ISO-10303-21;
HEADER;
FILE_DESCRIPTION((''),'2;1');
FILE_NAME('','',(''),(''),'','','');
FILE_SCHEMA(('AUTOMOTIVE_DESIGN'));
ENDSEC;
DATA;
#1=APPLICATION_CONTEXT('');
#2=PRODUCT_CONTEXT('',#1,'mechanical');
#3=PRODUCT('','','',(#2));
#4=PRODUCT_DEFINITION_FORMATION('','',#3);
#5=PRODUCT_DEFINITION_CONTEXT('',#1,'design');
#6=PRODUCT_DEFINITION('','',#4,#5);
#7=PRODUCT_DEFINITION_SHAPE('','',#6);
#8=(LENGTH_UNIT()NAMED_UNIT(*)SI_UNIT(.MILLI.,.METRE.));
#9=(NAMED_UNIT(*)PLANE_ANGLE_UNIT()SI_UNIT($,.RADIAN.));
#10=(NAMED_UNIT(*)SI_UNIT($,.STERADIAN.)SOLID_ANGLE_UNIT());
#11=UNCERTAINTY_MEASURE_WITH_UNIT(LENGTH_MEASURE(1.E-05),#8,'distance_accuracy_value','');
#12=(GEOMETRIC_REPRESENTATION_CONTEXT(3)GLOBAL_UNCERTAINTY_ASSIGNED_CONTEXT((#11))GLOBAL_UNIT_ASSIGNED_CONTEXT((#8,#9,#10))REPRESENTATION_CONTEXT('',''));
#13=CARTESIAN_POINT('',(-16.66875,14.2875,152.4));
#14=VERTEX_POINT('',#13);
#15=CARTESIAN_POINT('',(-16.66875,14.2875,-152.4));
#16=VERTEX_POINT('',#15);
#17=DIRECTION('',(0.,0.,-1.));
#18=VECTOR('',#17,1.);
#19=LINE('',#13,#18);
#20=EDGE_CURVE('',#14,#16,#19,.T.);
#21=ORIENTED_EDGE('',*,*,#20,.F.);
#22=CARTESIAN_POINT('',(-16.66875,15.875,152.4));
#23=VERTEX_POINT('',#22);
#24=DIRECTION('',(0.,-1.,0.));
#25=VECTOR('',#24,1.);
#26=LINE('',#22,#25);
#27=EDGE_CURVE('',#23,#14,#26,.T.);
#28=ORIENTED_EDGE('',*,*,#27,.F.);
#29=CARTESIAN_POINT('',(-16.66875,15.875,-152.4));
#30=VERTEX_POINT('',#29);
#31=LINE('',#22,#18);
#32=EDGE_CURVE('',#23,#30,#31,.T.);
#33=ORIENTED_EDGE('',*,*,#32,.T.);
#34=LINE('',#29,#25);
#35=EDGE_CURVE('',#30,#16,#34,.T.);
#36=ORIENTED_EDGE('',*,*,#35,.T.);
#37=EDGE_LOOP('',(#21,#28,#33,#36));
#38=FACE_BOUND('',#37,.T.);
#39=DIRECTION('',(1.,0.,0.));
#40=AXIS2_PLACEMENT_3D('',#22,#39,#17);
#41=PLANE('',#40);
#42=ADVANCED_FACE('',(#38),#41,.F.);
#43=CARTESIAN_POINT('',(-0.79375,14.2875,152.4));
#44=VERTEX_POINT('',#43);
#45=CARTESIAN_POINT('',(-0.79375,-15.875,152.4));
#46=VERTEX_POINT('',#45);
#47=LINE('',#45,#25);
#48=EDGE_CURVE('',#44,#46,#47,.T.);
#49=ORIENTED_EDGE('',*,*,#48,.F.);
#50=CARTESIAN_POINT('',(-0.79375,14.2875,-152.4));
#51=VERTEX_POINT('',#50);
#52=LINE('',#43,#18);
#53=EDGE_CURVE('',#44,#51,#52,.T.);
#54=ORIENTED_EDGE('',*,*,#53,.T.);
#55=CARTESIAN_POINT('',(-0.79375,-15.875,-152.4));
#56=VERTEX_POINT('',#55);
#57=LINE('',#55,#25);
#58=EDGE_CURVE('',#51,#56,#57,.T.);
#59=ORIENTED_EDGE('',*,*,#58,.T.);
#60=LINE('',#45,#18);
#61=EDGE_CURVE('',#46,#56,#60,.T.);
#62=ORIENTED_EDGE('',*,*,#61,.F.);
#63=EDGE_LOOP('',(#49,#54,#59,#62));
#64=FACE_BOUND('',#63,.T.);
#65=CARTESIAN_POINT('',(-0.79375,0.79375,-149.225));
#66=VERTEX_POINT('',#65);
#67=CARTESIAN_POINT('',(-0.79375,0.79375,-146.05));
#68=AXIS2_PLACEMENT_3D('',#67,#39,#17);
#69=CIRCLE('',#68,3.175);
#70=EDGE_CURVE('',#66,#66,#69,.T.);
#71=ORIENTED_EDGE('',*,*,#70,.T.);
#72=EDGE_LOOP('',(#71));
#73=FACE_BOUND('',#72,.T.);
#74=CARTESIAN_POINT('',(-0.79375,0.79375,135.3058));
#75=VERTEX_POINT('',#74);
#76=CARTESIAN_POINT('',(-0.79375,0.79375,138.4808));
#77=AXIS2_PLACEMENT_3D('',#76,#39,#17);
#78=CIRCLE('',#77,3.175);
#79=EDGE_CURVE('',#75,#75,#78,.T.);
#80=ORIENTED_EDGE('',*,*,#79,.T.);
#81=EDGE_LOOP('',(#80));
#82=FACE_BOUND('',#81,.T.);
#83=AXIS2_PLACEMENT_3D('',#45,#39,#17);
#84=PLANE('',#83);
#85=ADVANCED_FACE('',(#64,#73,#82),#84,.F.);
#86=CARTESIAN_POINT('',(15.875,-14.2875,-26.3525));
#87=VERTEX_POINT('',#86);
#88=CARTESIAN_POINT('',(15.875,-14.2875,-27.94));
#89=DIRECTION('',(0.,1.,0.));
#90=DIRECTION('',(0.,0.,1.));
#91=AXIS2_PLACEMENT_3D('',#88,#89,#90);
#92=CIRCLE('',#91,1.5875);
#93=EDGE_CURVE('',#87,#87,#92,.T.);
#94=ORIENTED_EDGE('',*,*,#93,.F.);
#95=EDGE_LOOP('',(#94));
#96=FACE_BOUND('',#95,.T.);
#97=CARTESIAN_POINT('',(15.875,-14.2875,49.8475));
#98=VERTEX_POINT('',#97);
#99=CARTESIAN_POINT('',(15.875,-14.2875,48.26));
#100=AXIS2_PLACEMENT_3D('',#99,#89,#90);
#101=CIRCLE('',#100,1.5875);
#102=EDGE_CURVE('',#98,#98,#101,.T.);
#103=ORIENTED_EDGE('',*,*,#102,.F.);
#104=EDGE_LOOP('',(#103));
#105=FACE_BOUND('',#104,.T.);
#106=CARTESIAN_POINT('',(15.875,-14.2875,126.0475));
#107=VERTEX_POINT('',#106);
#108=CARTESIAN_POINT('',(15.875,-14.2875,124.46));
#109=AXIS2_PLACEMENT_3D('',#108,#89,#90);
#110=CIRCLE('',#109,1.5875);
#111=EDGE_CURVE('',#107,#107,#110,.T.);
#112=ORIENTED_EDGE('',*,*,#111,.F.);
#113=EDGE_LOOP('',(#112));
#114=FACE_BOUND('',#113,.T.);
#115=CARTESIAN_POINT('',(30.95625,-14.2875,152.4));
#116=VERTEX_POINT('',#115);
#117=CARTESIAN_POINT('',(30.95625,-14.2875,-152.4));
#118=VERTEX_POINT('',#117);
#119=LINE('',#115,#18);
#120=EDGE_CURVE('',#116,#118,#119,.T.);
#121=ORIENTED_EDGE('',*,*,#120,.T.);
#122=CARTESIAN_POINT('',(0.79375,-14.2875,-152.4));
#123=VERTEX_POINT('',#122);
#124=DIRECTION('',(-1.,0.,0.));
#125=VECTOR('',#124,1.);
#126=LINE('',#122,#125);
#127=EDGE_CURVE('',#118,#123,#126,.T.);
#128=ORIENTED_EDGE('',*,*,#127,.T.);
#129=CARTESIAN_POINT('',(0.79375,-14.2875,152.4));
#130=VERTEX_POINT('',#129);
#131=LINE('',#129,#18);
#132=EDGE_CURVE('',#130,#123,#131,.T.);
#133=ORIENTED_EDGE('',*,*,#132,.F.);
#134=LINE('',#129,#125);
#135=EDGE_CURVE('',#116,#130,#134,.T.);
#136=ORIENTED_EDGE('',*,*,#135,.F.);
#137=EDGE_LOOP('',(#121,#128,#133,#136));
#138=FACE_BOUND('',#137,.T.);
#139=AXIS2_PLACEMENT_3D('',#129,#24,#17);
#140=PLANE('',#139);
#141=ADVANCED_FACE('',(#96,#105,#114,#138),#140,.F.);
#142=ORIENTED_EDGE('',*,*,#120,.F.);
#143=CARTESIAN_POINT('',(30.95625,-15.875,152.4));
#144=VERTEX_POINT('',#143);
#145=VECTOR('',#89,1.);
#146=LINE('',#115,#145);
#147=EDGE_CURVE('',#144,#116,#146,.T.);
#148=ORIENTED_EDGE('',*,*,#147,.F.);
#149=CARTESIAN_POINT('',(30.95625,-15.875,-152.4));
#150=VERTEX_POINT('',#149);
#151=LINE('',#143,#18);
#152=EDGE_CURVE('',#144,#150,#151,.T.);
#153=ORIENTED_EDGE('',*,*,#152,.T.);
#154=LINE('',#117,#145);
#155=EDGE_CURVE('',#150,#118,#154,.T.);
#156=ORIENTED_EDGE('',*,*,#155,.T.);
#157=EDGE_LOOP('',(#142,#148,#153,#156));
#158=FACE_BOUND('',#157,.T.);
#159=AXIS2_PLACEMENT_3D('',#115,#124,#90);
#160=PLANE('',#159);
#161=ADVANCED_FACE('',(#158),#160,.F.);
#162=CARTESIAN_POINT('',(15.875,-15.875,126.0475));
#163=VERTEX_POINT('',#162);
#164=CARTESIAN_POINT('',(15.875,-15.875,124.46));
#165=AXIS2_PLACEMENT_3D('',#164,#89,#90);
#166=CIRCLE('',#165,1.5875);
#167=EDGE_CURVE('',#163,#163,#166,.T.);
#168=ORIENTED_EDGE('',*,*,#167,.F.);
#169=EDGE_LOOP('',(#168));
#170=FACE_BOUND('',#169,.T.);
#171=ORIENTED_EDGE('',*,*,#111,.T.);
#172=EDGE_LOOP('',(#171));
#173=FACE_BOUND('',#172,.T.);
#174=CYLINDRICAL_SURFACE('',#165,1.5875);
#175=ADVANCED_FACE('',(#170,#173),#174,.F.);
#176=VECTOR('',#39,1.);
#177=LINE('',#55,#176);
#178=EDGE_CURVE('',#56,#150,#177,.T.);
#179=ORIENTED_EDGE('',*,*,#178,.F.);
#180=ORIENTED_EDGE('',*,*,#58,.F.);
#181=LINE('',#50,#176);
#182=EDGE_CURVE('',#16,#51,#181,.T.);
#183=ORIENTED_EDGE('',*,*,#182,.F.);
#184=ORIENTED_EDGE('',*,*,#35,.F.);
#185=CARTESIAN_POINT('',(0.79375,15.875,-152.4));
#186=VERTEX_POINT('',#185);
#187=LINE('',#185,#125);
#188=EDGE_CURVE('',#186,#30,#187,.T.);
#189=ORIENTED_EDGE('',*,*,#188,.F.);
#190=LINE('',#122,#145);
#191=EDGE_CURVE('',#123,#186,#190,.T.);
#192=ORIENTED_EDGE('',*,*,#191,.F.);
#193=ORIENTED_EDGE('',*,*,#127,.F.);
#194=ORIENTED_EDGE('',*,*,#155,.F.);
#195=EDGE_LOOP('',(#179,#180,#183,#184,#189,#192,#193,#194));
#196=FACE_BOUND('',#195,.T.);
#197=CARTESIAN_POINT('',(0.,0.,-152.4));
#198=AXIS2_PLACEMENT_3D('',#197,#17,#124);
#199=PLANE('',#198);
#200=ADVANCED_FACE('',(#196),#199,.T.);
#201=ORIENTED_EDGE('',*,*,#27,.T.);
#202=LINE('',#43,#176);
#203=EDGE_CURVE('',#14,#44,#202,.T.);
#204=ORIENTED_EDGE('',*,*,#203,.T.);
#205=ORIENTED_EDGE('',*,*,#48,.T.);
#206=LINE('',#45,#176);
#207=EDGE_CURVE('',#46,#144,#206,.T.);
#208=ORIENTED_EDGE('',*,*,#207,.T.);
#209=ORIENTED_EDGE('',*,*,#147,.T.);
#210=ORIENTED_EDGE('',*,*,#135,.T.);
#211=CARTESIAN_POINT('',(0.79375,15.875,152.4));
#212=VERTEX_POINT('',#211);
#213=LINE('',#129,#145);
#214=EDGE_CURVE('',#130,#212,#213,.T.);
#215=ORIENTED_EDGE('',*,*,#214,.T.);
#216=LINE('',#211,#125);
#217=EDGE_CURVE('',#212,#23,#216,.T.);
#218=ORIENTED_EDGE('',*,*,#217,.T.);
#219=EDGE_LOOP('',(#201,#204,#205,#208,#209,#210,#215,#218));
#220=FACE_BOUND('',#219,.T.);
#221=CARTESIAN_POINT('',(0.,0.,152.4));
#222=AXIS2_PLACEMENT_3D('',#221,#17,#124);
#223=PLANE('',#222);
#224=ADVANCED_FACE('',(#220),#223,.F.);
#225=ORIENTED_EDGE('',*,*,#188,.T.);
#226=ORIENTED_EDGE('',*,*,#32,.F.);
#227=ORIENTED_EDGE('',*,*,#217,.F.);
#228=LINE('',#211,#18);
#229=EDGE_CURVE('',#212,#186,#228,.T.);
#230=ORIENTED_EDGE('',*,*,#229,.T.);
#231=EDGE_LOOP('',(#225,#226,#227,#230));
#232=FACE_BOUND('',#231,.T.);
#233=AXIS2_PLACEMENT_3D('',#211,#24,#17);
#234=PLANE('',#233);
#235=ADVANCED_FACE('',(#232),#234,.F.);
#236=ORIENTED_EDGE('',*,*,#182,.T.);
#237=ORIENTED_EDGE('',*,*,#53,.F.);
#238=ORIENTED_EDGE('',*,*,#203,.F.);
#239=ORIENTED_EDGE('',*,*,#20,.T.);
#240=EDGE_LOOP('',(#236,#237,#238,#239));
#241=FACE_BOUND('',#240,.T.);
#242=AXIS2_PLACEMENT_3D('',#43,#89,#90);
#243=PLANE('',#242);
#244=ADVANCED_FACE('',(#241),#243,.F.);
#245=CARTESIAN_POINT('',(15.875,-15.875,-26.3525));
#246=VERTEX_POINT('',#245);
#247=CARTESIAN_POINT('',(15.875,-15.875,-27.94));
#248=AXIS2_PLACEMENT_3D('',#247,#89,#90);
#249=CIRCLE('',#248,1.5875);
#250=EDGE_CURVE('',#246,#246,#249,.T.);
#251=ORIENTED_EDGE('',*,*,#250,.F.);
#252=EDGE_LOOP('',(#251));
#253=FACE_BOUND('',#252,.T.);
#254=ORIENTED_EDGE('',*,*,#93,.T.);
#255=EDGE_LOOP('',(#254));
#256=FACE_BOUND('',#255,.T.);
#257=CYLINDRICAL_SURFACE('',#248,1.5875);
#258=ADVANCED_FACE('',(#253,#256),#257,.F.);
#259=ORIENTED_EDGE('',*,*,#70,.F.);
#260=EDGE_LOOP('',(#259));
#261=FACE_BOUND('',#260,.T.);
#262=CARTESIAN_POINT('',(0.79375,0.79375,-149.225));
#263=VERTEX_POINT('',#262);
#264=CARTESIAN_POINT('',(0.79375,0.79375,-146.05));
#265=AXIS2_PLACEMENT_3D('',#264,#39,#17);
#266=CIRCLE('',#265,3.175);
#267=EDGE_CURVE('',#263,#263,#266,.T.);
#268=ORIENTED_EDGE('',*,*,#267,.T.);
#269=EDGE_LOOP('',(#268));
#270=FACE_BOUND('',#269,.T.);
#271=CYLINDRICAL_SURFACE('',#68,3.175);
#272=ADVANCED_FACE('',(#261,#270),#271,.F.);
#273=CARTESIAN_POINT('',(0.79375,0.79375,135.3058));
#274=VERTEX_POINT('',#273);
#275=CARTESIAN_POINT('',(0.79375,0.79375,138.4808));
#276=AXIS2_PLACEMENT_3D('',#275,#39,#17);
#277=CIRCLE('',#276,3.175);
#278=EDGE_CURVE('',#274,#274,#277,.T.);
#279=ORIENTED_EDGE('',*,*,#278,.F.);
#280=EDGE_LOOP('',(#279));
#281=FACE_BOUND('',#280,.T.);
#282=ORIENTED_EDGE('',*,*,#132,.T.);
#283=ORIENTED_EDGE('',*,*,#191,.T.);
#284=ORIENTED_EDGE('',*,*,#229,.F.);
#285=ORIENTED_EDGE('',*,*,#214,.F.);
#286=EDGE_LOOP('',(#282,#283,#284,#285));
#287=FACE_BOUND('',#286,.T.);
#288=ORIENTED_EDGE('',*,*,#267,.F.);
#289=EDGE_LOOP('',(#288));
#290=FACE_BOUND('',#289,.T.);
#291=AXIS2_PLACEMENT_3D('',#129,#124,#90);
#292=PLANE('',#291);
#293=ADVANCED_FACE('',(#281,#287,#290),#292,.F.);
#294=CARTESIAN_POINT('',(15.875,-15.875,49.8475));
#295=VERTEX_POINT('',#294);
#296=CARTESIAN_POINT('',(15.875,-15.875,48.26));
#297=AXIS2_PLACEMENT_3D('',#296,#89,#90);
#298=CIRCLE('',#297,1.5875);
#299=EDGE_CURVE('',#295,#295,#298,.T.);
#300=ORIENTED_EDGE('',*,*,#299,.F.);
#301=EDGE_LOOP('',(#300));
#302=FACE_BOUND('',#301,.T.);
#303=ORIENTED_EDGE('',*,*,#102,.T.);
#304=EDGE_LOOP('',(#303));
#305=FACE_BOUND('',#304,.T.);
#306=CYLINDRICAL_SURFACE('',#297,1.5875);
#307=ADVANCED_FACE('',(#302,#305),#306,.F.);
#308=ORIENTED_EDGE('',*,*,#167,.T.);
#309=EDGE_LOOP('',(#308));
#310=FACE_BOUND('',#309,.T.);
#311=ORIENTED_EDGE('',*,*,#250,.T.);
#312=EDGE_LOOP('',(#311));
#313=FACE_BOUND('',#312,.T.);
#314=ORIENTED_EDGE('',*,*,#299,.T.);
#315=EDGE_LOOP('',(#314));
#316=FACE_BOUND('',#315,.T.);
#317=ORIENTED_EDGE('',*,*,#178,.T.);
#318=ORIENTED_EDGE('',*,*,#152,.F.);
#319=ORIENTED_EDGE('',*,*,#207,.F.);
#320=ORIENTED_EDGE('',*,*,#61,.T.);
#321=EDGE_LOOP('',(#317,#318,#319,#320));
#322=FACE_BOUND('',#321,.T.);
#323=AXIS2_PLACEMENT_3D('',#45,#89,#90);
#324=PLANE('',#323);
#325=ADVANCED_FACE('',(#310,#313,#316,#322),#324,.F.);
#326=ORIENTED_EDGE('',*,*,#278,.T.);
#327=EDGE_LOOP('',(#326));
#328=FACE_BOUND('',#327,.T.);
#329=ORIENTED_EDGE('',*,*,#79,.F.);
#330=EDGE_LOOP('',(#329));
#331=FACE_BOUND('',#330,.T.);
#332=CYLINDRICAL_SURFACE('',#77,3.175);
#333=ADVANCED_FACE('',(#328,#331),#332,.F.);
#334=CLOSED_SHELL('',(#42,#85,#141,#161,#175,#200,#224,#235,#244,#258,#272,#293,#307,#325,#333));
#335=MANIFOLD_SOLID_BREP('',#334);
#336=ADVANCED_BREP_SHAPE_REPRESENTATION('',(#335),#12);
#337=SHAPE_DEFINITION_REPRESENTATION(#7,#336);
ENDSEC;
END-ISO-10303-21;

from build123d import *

# Parameters (mm, degrees)
BOSS_EXTRUDE1_DEPTH      = 152.4
BOSS_EXTRUDE1_DEPTH_BACK = 152.4
SKETCH4_R                = 1.5875
CUT_EXTRUDE1_DEPTH       = 1.5875
SKETCH5_R                = 3.175
CUT_EXTRUDE2_DEPTH       = 1.5875


with BuildPart() as part:
    # Sketch3 → Boss-Extrude1 (new, two sides: drawn at the far end of the back side and taken through both)
    with BuildSketch(Plane.XY.offset(-BOSS_EXTRUDE1_DEPTH_BACK)):
        Polygon((30.95625, -14.2875), (30.95625, -15.875), (-0.79375, -15.875), (-0.79375, 14.2875), (-16.66875, 14.2875), (-16.66875, 15.875), (0.79375, 15.875), (0.79375, -14.2875), align=None)
    extrude(amount=BOSS_EXTRUDE1_DEPTH + BOSS_EXTRUDE1_DEPTH_BACK)

    # Sketch4 → Cut-Extrude1 (cut)
    with BuildSketch(Plane(origin=(0, -14.2875, 0), x_dir=(1, 0, 0), z_dir=(0, 1, 0))):
        with Locations(Location((15.875, 27.94, 0), (0, 0, 270))):
            Circle(SKETCH4_R)
        with Locations(Location((15.875, -48.26, 0), (0, 0, 270))):
            Circle(SKETCH4_R)
        with Locations(Location((15.875, -124.46, 0), (0, 0, 270))):
            Circle(SKETCH4_R)
    extrude(amount=-CUT_EXTRUDE1_DEPTH, mode=Mode.SUBTRACT)

    # Sketch5 → Cut-Extrude2 (cut)
    with BuildSketch(Plane(origin=(0.79375, 0, 0), x_dir=(0, 0, -1), z_dir=(1, 0, 0))):
        with Locations((-138.4808, 0.79375)):
            Circle(SKETCH5_R)
        with Locations((146.05, 0.79375)):
            Circle(SKETCH5_R)
    extrude(amount=-CUT_EXTRUDE2_DEPTH, mode=Mode.SUBTRACT)


solid = part.part
